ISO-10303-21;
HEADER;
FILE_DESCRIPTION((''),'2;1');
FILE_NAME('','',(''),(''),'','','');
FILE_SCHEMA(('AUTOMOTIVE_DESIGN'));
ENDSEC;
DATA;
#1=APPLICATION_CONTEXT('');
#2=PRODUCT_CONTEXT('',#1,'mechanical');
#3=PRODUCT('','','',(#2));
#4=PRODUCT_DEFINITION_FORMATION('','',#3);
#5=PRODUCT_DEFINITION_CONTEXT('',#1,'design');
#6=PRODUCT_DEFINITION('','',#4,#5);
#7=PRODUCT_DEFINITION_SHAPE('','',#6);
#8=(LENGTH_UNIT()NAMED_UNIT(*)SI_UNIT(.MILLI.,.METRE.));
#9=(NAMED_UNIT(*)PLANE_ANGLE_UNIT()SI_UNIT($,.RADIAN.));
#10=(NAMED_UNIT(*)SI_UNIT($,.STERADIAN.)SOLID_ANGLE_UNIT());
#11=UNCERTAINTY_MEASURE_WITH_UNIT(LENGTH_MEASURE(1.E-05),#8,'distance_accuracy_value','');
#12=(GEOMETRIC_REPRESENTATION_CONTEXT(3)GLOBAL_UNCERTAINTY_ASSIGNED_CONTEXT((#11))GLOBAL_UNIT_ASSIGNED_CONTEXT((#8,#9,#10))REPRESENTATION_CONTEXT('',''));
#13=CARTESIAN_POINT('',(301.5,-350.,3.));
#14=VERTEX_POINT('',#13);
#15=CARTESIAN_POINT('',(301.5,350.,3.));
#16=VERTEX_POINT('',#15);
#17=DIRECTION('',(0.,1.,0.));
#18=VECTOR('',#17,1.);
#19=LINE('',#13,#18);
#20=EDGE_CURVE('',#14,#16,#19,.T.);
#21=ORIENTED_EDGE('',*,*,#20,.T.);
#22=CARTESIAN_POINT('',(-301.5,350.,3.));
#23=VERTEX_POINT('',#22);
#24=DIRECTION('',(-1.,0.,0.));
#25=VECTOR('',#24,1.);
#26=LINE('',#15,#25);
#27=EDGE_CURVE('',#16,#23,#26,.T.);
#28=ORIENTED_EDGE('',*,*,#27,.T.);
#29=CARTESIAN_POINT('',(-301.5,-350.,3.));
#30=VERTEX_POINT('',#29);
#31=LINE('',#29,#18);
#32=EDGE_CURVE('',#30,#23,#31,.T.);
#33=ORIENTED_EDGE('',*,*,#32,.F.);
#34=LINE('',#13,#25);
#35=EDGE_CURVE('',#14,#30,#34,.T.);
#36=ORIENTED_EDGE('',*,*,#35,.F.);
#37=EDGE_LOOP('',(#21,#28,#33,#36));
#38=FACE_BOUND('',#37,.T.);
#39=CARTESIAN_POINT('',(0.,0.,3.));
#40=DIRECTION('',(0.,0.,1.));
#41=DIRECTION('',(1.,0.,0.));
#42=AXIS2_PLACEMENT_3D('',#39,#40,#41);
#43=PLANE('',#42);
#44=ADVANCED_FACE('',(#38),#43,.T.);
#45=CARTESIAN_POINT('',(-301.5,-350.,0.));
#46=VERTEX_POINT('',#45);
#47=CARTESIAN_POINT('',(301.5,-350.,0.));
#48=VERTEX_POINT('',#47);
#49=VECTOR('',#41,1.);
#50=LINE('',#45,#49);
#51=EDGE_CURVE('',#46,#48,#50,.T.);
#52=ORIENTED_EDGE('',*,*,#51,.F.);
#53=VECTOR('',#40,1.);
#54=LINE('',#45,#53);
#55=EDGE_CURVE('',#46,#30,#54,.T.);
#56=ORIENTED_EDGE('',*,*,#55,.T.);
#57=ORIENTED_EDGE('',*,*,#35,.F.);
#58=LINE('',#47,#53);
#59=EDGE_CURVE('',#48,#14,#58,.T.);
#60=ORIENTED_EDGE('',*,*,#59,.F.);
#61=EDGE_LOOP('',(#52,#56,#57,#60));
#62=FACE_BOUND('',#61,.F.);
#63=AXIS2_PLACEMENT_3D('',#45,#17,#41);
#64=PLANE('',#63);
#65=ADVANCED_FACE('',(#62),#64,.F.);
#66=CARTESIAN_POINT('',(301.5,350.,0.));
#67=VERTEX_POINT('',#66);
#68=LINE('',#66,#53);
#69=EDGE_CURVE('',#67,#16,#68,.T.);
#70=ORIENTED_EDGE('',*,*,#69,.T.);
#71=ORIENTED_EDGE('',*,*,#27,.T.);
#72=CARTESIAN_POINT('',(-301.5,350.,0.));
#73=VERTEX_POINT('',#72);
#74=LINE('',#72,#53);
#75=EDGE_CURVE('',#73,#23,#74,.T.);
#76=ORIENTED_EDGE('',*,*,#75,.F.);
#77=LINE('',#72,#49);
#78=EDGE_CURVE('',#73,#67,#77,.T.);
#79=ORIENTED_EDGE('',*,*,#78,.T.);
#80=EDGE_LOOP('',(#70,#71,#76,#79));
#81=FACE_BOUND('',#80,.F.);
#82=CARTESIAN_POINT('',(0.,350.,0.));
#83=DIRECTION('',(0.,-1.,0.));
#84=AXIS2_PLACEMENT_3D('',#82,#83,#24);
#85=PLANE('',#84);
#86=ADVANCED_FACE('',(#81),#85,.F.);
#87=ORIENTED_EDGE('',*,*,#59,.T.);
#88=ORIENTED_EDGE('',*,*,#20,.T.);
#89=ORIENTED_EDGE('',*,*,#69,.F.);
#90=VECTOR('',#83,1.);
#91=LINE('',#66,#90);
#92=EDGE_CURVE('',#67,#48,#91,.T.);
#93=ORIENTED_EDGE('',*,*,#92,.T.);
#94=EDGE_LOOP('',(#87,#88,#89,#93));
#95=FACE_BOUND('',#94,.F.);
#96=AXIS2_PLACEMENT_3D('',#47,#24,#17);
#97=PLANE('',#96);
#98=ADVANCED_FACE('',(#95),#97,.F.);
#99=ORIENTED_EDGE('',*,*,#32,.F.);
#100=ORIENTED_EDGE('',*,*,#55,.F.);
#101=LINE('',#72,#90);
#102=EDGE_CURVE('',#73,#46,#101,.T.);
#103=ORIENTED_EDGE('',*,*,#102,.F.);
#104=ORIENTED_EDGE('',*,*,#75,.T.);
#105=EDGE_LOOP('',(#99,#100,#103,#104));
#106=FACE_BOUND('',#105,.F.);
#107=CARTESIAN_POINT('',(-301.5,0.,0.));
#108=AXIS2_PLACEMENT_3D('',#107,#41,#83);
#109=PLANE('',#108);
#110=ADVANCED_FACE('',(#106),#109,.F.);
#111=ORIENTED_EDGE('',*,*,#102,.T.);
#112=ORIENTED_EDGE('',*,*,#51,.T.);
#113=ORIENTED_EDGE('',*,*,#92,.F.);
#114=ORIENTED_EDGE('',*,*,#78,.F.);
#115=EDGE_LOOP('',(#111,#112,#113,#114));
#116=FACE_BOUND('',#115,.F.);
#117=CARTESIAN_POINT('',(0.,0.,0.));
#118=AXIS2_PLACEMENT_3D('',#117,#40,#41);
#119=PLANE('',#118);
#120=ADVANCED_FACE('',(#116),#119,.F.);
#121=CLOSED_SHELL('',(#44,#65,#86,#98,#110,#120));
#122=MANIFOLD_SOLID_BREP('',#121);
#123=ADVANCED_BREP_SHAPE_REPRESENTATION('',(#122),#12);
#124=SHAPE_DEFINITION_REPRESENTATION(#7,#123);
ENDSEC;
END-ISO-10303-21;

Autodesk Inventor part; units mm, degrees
ref_plane "YZ Plane" through (0, 0, 0) normal (1, 0, 0) x (0, 1, 0)
ref_plane "XZ Plane" through (0, 0, 0) normal (0, 1, 0) x (-1, 0, 0)
ref_plane "XY Plane" through (0, 0, 0) normal (0, 0, 1) x (1, 0, 0)
sketch "Skizze1" plane through (0, 0, 0) normal (0, 0, 1) x (1, 0, 0)
  line L0 (-301.5, -350) -> (301.5, -350)
  line L1 (301.5, -350) -> (301.5, 350)
  line L2 (301.5, 350) -> (-301.5, 350)
  line L3 (-301.5, 350) -> (-301.5, -350)
  line L4 (0, 490) -> (0, -490) projected
  line L5 (-422.1, 0) -> (422.1, 0) projected
  point P0 (0, 0)
  point P1 (-301.5, 0)
  point P2 (0, -350)
  dimension "d0" = 700
  dimension "d1" = 603
extrude "Extrusion1" add sketch "Skizze1" along normal blind 3
properties part number "HousingCage_FloorGrid" material "Stainless Steel"
